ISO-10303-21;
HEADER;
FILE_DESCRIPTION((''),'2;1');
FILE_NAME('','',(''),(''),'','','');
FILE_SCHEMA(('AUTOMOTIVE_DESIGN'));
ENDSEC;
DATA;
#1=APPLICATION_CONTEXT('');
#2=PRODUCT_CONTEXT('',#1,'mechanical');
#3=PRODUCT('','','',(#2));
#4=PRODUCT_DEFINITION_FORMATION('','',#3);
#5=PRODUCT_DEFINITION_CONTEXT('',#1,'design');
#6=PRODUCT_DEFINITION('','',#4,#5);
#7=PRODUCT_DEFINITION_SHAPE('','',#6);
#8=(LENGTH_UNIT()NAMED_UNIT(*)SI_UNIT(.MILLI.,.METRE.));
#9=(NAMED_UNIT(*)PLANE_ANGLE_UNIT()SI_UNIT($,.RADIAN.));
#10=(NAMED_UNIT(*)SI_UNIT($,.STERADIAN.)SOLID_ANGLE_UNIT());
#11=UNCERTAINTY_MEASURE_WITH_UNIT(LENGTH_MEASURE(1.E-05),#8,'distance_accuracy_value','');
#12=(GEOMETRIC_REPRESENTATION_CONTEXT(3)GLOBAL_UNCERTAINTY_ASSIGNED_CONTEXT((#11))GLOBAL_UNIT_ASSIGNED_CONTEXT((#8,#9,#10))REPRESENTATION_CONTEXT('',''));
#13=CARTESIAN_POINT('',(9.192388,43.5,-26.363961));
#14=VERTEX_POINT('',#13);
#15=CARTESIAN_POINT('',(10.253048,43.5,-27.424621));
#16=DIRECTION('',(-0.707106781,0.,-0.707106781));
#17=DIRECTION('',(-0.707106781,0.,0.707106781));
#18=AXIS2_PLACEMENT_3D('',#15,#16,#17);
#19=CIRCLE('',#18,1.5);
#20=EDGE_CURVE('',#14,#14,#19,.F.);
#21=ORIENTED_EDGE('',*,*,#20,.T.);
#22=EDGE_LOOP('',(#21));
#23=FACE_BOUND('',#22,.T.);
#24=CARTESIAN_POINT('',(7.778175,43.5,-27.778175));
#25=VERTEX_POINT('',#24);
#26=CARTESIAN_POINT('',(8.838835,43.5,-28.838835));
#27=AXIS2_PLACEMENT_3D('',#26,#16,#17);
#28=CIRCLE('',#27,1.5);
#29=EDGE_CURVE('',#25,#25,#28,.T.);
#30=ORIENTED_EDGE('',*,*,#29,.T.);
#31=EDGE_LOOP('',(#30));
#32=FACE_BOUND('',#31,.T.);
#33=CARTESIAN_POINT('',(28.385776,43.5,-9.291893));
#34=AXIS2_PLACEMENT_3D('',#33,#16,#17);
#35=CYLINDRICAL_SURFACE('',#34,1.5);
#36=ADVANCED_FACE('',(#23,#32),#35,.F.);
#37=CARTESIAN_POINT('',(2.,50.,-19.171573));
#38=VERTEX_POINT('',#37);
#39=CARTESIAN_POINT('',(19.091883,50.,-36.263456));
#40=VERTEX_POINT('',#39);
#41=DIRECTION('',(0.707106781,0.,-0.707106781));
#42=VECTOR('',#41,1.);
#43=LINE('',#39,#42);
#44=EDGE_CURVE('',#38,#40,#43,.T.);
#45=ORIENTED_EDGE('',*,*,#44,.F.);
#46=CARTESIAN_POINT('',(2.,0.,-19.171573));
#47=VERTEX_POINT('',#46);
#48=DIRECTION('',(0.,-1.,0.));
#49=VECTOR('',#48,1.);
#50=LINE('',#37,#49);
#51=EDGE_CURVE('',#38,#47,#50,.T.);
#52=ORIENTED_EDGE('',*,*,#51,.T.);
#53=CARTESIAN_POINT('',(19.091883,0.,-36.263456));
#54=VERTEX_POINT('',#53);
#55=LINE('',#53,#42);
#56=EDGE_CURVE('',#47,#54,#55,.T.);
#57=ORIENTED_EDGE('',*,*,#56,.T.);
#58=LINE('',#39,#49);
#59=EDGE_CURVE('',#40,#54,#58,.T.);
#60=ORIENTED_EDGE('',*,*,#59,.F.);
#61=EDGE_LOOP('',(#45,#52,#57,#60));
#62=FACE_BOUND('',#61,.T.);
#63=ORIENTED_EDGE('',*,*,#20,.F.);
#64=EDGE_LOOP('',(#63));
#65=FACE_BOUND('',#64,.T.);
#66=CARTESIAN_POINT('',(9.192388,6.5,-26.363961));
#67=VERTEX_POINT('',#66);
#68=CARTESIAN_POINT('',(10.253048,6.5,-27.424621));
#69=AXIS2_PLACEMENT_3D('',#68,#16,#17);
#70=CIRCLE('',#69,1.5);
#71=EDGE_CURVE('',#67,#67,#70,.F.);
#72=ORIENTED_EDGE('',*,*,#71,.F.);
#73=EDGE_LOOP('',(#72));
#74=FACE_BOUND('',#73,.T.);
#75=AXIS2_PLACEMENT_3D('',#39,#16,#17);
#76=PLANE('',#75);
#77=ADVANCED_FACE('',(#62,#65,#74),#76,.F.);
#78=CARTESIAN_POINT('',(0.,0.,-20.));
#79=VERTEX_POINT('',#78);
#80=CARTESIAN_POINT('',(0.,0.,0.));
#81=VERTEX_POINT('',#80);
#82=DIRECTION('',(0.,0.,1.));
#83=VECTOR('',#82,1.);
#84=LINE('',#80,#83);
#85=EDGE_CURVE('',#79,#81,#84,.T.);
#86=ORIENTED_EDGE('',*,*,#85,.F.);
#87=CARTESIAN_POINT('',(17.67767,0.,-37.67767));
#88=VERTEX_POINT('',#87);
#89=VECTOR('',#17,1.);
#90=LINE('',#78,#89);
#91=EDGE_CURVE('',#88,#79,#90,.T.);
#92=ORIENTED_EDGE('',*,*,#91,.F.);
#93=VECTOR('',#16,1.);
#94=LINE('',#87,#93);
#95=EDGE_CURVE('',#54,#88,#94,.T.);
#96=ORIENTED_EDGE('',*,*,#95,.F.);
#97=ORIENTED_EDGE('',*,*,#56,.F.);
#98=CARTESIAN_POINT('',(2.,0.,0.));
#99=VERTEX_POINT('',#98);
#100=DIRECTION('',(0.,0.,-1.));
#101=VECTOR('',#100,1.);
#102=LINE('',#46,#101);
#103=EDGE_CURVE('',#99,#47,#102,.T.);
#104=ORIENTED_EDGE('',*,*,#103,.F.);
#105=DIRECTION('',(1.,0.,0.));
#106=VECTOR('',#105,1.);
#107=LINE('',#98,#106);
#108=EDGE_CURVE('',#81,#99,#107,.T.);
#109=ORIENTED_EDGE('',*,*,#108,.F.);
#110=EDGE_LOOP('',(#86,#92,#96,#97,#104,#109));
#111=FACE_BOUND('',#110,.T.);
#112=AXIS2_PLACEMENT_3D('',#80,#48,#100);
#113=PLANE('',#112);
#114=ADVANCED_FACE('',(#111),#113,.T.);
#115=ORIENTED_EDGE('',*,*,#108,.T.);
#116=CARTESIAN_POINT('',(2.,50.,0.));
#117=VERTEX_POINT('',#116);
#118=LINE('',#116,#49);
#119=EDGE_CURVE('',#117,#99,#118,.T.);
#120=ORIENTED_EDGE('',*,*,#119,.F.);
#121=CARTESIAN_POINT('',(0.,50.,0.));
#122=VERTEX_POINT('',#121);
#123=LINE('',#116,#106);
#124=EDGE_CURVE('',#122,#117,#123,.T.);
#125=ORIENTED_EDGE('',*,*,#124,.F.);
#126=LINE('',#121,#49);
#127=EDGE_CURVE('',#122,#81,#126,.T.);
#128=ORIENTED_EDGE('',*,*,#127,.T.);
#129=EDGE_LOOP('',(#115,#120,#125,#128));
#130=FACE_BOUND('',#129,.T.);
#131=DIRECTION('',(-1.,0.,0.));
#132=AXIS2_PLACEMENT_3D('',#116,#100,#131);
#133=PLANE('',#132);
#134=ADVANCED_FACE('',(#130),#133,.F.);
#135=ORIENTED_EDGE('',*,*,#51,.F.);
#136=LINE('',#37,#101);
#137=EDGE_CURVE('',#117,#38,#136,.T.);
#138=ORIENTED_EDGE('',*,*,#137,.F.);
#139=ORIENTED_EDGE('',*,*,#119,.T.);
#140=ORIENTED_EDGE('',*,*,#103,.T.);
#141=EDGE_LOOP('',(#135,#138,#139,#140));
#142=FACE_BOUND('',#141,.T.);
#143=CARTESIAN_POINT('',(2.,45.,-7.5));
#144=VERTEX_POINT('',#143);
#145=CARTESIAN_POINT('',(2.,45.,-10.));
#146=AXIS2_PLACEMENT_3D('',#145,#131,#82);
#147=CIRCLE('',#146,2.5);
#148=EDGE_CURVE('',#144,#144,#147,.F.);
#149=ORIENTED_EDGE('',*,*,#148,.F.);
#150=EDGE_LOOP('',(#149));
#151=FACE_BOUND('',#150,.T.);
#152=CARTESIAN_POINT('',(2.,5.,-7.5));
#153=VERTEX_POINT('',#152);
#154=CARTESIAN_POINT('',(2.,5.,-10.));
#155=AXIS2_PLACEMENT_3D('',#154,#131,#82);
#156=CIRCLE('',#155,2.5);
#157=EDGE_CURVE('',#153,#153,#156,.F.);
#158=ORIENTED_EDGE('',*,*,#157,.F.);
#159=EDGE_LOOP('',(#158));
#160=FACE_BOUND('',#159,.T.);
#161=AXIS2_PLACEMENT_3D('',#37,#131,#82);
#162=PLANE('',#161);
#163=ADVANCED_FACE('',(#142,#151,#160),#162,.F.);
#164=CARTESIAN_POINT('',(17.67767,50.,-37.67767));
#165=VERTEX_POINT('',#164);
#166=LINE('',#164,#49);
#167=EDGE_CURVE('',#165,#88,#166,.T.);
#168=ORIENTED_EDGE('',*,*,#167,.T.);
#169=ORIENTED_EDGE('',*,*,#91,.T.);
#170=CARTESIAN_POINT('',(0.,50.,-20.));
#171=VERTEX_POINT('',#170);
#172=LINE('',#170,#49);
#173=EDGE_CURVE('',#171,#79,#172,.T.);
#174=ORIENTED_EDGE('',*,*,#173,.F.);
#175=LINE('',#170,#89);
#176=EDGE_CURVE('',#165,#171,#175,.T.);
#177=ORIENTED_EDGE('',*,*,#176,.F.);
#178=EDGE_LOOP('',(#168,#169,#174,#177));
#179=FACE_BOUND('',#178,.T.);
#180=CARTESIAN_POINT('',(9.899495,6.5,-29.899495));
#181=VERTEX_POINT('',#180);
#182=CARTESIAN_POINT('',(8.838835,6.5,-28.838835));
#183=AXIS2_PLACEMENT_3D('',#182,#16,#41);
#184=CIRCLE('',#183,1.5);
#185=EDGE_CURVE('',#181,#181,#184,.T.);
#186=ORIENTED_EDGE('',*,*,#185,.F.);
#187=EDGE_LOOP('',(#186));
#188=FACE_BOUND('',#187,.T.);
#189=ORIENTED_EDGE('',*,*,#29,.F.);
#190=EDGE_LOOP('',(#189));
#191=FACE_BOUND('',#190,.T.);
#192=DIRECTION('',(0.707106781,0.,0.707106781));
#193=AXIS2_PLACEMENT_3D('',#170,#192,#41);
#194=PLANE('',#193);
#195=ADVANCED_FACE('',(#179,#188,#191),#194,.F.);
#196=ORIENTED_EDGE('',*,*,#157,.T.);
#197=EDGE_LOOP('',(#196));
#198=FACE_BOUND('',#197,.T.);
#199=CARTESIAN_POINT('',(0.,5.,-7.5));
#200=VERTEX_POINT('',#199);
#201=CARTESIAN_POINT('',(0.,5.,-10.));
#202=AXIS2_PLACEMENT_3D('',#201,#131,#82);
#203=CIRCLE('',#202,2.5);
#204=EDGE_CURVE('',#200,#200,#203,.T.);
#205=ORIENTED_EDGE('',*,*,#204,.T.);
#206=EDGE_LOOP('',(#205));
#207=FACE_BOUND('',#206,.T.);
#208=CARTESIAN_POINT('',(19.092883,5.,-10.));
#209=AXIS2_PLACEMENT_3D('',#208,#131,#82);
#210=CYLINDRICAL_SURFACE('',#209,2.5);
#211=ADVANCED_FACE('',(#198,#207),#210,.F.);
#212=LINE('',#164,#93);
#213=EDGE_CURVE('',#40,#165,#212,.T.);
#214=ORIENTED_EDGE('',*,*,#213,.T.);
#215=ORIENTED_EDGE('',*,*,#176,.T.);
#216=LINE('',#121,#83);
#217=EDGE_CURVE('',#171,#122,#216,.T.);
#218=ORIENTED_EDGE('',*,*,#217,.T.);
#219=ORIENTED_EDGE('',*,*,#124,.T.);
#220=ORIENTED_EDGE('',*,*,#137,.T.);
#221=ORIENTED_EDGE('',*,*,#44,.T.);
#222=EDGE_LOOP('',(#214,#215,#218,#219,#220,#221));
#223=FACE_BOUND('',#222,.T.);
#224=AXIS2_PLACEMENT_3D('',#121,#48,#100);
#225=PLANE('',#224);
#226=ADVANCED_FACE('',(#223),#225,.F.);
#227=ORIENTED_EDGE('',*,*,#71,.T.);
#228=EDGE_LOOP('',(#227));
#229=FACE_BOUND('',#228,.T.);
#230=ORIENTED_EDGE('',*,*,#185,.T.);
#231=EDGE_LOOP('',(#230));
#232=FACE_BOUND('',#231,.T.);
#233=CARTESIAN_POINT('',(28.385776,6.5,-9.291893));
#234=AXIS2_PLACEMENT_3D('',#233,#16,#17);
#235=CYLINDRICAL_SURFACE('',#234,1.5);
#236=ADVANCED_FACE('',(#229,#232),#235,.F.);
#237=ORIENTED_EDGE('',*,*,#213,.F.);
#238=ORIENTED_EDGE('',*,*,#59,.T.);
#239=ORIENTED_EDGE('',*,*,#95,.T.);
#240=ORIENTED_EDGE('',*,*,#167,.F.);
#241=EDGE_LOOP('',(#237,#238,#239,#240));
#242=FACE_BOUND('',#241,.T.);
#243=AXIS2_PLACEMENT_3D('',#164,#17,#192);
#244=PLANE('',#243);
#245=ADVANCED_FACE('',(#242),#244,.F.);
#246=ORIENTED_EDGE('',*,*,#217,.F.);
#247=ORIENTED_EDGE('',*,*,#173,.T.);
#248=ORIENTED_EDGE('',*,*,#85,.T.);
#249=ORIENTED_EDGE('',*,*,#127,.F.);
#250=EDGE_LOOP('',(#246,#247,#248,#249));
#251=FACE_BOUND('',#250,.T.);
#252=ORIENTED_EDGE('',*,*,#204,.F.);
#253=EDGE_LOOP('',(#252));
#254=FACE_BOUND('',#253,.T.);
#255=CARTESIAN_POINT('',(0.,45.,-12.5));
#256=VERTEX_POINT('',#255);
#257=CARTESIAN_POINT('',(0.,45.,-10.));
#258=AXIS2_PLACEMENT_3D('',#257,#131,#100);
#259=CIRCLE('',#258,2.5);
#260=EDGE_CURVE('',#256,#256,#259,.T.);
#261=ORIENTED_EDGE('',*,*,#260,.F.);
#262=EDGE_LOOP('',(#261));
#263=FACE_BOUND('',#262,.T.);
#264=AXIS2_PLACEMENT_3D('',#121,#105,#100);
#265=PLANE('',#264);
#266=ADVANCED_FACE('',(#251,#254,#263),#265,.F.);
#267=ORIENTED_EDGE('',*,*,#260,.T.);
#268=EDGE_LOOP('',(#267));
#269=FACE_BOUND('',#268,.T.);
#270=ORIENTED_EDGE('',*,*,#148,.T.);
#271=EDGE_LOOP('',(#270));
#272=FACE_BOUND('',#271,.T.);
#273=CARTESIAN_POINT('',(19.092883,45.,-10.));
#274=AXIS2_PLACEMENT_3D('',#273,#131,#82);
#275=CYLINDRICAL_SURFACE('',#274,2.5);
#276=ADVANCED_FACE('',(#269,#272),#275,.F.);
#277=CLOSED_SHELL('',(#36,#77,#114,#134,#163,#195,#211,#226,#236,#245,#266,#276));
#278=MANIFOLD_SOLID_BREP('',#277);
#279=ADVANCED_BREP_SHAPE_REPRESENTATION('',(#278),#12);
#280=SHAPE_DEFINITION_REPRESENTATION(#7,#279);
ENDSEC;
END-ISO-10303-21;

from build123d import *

# Parameters (mm, degrees)
EXTRUSION1_DEPTH = 50
EXTRUSION2_REACH = 21.092
ESQUISSE3_R      = 2.5
EXTRUSION3_REACH = 29.642
ESQUISSE4_R      = 1.5


with BuildPart() as part:
    # Esquisse1 → Extrusion1 (new body)
    with BuildSketch(Plane(origin=(0, 0, 0), x_dir=(1, 0, 0), z_dir=(0, 1, 0))):
        Polygon((0, 0), (0, 20), (17.67766953, 37.67766953), (19.091883092, 36.263455967), (2, 19.171572875), (2, 0), align=None)
    extrude(amount=EXTRUSION1_DEPTH)

    # Esquisse3 → Extrusion2 (cut, up to next)
    with BuildSketch(Plane.ZY, mode=Mode.PRIVATE) as extrusion2_sk1:
        with Locations((-10, 5)):
            Circle(ESQUISSE3_R)
    extrusion2_tool1 = extrude(extrusion2_sk1.sketch, amount=-EXTRUSION2_REACH, mode=Mode.PRIVATE) & part.part
    add(extrusion2_tool1.solids().sort_by_distance((0, 5, -10))[0], mode=Mode.SUBTRACT)
    # Esquisse3 → Extrusion2 (cut, up to next)
    with BuildSketch(Plane.ZY, mode=Mode.PRIVATE) as extrusion2_sk2:
        with Locations((-10, 45)):
            Circle(ESQUISSE3_R)
    extrusion2_tool2 = extrude(extrusion2_sk2.sketch, amount=-EXTRUSION2_REACH, mode=Mode.PRIVATE) & part.part
    add(extrusion2_tool2.solids().sort_by_distance((0, 45, -10))[0], mode=Mode.SUBTRACT)

    # Esquisse4 → Extrusion3 (cut, up to next)
    with BuildSketch(Plane(origin=(-10, 0, -10), x_dir=(-0.707106781, 0, 0.707106781), z_dir=(-0.707106781, 0, -0.707106781)), mode=Mode.PRIVATE) as extrusion3_sk1:
        with Locations((-26.642135624, 43.5)):
            Circle(ESQUISSE4_R)
    extrusion3_tool1 = extrude(extrusion3_sk1.sketch, amount=-EXTRUSION3_REACH, mode=Mode.PRIVATE) & part.part
    add(extrusion3_tool1.solids().sort_by_distance((8.838835, 43.5, -28.838835))[0], mode=Mode.SUBTRACT)
    # Esquisse4 → Extrusion3 (cut, up to next)
    with BuildSketch(Plane(origin=(-10, 0, -10), x_dir=(-0.707106781, 0, 0.707106781), z_dir=(-0.707106781, 0, -0.707106781)), mode=Mode.PRIVATE) as extrusion3_sk2:
        with Locations((-26.642135624, 6.5)):
            Circle(ESQUISSE4_R)
    extrusion3_tool2 = extrude(extrusion3_sk2.sketch, amount=-EXTRUSION3_REACH, mode=Mode.PRIVATE) & part.part
    add(extrusion3_tool2.solids().sort_by_distance((8.838835, 6.5, -28.838835))[0], mode=Mode.SUBTRACT)


solid = part.part
